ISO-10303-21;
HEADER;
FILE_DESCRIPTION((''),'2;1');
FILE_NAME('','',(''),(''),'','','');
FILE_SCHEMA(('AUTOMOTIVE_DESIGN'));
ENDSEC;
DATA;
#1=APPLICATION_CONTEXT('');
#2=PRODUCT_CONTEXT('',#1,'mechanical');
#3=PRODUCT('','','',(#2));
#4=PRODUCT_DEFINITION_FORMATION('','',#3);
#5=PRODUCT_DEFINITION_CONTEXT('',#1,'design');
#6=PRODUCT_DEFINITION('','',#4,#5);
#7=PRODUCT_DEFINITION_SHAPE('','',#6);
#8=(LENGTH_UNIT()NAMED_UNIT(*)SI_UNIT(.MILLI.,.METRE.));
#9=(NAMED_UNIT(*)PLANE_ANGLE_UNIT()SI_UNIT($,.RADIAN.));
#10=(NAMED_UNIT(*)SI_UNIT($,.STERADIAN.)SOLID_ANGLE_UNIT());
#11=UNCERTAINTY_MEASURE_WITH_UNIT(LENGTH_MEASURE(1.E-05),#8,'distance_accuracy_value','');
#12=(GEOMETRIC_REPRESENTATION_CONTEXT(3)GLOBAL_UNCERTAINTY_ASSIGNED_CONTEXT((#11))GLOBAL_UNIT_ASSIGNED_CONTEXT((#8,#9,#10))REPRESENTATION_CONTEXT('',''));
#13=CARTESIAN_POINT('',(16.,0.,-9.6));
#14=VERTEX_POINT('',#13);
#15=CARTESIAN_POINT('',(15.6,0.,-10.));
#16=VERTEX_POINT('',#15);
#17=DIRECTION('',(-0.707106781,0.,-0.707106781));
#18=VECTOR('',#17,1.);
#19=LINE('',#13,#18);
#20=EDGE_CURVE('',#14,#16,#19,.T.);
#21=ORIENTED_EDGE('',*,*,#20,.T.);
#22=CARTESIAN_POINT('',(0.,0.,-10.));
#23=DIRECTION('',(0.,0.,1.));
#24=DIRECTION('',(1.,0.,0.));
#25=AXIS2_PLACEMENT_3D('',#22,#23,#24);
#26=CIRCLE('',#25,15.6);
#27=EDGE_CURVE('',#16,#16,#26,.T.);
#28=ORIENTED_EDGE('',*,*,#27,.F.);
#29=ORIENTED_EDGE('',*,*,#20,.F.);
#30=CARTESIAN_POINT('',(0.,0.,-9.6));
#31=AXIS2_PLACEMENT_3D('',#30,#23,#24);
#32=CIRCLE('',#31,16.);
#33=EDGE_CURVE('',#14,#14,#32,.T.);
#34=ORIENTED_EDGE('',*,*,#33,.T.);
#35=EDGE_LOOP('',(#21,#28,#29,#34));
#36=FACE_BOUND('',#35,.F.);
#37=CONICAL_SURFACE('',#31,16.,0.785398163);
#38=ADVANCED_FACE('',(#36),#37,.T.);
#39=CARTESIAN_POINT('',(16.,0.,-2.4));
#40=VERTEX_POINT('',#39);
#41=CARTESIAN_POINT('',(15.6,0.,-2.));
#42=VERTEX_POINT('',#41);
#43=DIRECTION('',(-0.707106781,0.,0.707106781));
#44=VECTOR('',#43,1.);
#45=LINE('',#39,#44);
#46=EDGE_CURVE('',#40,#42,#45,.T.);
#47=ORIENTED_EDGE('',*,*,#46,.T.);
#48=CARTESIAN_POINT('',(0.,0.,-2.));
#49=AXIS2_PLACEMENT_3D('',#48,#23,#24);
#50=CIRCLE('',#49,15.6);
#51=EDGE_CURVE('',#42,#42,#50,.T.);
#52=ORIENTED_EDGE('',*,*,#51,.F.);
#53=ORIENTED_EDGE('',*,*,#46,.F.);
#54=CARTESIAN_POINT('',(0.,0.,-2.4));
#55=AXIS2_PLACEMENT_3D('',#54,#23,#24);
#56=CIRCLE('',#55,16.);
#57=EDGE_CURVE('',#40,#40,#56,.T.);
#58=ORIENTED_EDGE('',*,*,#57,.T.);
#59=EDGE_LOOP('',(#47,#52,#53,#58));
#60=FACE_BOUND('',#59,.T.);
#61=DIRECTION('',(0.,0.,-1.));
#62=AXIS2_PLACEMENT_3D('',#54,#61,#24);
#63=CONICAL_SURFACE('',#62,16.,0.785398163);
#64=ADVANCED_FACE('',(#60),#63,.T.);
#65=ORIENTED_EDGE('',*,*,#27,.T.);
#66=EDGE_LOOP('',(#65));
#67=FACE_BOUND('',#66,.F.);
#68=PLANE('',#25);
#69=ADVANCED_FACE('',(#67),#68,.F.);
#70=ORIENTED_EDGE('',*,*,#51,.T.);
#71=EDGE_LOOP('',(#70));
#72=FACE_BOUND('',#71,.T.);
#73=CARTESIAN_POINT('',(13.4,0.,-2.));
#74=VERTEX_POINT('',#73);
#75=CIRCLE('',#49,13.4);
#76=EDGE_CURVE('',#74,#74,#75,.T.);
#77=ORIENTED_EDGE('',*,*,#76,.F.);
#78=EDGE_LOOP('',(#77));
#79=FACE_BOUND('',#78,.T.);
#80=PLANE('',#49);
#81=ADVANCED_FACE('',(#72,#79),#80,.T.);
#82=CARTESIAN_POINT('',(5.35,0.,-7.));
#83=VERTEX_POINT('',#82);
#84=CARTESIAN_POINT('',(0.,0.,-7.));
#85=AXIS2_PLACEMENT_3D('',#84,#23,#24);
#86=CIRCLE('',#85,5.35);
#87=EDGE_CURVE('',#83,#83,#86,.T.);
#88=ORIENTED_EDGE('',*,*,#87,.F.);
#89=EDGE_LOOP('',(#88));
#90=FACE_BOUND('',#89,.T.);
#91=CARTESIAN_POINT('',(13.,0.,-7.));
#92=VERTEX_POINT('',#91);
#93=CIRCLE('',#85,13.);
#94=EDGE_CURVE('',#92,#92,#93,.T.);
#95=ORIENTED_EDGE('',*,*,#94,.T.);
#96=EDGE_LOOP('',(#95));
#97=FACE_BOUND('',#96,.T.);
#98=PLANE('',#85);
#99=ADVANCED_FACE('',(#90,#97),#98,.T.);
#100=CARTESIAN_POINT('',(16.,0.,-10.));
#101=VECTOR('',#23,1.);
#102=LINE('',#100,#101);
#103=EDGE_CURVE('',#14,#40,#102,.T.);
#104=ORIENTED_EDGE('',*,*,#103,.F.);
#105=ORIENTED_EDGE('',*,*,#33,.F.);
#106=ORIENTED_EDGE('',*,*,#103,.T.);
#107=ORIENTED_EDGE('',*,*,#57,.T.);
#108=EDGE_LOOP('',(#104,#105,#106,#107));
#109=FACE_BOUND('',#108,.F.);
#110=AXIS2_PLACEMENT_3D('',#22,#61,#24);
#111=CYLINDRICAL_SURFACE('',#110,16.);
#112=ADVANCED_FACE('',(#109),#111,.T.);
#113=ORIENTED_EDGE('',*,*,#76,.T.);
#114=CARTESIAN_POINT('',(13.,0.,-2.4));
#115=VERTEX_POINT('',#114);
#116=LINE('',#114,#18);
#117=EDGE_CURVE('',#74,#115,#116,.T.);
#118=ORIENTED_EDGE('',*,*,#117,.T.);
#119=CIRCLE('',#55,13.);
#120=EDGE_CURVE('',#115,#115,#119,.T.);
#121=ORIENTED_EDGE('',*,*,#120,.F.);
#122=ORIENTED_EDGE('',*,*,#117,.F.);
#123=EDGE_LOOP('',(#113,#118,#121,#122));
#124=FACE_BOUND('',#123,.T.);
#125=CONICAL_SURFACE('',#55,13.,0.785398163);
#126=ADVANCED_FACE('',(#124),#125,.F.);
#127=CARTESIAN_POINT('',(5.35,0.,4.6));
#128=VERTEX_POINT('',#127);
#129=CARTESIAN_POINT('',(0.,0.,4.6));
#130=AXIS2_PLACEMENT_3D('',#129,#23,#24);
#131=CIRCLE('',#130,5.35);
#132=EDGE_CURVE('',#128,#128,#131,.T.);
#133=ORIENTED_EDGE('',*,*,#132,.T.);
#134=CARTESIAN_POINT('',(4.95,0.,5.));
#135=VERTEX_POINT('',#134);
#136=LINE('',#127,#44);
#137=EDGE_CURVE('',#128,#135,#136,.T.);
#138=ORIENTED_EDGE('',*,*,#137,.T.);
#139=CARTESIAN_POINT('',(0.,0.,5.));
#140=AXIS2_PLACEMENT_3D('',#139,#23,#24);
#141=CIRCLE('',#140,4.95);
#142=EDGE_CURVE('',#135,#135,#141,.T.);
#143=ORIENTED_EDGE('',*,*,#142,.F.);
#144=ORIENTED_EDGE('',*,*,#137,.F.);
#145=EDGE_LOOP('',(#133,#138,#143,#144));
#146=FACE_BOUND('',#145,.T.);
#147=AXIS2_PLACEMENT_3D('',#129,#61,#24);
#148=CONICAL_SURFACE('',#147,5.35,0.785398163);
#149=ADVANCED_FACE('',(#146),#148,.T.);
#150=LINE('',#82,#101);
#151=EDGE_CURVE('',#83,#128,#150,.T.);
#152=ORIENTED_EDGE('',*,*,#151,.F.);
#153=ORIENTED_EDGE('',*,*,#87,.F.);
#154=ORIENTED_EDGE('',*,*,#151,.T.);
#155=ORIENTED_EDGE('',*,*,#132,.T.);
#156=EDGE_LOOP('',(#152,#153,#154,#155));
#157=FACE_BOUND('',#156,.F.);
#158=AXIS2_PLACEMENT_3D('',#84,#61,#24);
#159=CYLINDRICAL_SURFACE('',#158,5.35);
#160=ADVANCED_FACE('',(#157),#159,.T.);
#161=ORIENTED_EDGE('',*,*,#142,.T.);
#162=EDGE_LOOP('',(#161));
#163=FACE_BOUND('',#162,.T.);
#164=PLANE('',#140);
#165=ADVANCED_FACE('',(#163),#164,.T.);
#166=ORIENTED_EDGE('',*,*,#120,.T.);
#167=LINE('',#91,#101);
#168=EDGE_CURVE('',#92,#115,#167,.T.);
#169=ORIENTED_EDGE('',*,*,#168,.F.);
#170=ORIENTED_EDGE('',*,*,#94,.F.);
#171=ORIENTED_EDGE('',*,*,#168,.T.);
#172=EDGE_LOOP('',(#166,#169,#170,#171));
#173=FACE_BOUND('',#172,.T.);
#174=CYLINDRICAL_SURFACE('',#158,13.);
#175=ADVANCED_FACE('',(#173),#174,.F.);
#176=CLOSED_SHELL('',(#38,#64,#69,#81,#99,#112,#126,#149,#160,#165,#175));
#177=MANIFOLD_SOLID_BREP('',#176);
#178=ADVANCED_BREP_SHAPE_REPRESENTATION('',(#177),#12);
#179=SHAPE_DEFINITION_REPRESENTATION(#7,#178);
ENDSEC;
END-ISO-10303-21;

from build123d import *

# Parameters (mm, degrees)
CYLINDER041_R               = 5.35
CYLINDER041_DEPTH           = 12
CYLINDER043_R               = 13
CYLINDER043_DEPTH           = 5
CYLINDER042_R               = 16
CYLINDER042_DEPTH           = 8
CHAMFER003068012002092_SIZE = 0.4


with BuildPart() as cylinder041:
    # Cylinder041 → Cylinder041 (new body)
    with BuildSketch(Plane.XY.offset(-7)):
        Circle(CYLINDER041_R)
    extrude(amount=CYLINDER041_DEPTH)


with BuildPart() as cylinder043:
    # Cylinder043 → Cylinder043 (new body)
    with BuildSketch(Plane.XY.offset(-7)):
        Circle(CYLINDER043_R)
    extrude(amount=CYLINDER043_DEPTH)


with BuildPart() as bearing_remover_top:
    # Cylinder042 → Cylinder042 (new body)
    with BuildSketch(Plane.XY.offset(-10)):
        Circle(CYLINDER042_R)
    extrude(amount=CYLINDER042_DEPTH)

    # Cut001043: cut Cylinder043
    add(cylinder043.part, mode=Mode.SUBTRACT)

    # Fusion001002012037: union Cylinder041
    add(cylinder041.part)

    # Chamfer003068012002092
    chamfer003068012002092_edges = [bearing_remover_top.edges().sort_by_distance(p)[0] for p in [
        (-16, 0, -2),
        (-16, 0, -10),
        (-13, 0, -2),
        (-5.35, 0, 5),
    ]]
    chamfer(chamfer003068012002092_edges, length=CHAMFER003068012002092_SIZE)


solid = bearing_remover_top.part
